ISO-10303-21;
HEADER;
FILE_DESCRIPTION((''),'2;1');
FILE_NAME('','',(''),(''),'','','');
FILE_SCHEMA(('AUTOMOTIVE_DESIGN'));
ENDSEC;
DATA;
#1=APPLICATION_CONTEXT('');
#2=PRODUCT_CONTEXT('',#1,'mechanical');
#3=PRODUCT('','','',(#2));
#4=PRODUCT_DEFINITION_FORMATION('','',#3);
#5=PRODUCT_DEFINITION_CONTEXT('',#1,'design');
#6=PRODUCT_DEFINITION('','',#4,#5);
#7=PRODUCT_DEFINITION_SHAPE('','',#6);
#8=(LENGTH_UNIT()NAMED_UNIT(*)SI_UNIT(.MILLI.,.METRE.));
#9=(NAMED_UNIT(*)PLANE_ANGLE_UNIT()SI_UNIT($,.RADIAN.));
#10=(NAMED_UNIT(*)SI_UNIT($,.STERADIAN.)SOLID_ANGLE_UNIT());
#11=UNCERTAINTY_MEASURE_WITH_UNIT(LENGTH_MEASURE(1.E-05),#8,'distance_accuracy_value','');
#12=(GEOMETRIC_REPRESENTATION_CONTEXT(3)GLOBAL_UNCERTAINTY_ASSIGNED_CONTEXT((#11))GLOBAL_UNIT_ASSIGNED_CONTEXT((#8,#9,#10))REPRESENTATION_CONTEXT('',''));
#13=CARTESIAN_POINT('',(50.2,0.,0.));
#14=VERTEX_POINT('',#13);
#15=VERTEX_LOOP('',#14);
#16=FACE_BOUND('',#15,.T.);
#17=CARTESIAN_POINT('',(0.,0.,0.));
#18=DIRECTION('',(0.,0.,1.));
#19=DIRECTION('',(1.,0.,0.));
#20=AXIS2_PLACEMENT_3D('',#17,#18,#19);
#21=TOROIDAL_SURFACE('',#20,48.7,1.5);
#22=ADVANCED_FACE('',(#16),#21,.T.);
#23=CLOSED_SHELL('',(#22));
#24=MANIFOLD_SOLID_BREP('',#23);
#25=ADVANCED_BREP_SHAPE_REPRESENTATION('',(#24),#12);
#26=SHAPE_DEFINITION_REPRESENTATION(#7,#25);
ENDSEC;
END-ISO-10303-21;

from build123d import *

# Parameters (mm, degrees)
SKETCH1_R = 1.5


with BuildPart() as part:
    # Sketch1 → Revolve1 (revolve)
    with BuildSketch(Plane(origin=(0, 0, 0), x_dir=(0, 0, -1), z_dir=(1, 0, 0)), mode=Mode.PRIVATE) as revolve1_sk:
        with Locations((0, 48.7)):
            Circle(SKETCH1_R)
    revolve(revolve1_sk.sketch.rotate(Axis((0, 0, 21.784086022), (0, 0, -1)), 90), axis=Axis((0, 0, 21.784086022), (0, 0, -1)))


solid = part.part
